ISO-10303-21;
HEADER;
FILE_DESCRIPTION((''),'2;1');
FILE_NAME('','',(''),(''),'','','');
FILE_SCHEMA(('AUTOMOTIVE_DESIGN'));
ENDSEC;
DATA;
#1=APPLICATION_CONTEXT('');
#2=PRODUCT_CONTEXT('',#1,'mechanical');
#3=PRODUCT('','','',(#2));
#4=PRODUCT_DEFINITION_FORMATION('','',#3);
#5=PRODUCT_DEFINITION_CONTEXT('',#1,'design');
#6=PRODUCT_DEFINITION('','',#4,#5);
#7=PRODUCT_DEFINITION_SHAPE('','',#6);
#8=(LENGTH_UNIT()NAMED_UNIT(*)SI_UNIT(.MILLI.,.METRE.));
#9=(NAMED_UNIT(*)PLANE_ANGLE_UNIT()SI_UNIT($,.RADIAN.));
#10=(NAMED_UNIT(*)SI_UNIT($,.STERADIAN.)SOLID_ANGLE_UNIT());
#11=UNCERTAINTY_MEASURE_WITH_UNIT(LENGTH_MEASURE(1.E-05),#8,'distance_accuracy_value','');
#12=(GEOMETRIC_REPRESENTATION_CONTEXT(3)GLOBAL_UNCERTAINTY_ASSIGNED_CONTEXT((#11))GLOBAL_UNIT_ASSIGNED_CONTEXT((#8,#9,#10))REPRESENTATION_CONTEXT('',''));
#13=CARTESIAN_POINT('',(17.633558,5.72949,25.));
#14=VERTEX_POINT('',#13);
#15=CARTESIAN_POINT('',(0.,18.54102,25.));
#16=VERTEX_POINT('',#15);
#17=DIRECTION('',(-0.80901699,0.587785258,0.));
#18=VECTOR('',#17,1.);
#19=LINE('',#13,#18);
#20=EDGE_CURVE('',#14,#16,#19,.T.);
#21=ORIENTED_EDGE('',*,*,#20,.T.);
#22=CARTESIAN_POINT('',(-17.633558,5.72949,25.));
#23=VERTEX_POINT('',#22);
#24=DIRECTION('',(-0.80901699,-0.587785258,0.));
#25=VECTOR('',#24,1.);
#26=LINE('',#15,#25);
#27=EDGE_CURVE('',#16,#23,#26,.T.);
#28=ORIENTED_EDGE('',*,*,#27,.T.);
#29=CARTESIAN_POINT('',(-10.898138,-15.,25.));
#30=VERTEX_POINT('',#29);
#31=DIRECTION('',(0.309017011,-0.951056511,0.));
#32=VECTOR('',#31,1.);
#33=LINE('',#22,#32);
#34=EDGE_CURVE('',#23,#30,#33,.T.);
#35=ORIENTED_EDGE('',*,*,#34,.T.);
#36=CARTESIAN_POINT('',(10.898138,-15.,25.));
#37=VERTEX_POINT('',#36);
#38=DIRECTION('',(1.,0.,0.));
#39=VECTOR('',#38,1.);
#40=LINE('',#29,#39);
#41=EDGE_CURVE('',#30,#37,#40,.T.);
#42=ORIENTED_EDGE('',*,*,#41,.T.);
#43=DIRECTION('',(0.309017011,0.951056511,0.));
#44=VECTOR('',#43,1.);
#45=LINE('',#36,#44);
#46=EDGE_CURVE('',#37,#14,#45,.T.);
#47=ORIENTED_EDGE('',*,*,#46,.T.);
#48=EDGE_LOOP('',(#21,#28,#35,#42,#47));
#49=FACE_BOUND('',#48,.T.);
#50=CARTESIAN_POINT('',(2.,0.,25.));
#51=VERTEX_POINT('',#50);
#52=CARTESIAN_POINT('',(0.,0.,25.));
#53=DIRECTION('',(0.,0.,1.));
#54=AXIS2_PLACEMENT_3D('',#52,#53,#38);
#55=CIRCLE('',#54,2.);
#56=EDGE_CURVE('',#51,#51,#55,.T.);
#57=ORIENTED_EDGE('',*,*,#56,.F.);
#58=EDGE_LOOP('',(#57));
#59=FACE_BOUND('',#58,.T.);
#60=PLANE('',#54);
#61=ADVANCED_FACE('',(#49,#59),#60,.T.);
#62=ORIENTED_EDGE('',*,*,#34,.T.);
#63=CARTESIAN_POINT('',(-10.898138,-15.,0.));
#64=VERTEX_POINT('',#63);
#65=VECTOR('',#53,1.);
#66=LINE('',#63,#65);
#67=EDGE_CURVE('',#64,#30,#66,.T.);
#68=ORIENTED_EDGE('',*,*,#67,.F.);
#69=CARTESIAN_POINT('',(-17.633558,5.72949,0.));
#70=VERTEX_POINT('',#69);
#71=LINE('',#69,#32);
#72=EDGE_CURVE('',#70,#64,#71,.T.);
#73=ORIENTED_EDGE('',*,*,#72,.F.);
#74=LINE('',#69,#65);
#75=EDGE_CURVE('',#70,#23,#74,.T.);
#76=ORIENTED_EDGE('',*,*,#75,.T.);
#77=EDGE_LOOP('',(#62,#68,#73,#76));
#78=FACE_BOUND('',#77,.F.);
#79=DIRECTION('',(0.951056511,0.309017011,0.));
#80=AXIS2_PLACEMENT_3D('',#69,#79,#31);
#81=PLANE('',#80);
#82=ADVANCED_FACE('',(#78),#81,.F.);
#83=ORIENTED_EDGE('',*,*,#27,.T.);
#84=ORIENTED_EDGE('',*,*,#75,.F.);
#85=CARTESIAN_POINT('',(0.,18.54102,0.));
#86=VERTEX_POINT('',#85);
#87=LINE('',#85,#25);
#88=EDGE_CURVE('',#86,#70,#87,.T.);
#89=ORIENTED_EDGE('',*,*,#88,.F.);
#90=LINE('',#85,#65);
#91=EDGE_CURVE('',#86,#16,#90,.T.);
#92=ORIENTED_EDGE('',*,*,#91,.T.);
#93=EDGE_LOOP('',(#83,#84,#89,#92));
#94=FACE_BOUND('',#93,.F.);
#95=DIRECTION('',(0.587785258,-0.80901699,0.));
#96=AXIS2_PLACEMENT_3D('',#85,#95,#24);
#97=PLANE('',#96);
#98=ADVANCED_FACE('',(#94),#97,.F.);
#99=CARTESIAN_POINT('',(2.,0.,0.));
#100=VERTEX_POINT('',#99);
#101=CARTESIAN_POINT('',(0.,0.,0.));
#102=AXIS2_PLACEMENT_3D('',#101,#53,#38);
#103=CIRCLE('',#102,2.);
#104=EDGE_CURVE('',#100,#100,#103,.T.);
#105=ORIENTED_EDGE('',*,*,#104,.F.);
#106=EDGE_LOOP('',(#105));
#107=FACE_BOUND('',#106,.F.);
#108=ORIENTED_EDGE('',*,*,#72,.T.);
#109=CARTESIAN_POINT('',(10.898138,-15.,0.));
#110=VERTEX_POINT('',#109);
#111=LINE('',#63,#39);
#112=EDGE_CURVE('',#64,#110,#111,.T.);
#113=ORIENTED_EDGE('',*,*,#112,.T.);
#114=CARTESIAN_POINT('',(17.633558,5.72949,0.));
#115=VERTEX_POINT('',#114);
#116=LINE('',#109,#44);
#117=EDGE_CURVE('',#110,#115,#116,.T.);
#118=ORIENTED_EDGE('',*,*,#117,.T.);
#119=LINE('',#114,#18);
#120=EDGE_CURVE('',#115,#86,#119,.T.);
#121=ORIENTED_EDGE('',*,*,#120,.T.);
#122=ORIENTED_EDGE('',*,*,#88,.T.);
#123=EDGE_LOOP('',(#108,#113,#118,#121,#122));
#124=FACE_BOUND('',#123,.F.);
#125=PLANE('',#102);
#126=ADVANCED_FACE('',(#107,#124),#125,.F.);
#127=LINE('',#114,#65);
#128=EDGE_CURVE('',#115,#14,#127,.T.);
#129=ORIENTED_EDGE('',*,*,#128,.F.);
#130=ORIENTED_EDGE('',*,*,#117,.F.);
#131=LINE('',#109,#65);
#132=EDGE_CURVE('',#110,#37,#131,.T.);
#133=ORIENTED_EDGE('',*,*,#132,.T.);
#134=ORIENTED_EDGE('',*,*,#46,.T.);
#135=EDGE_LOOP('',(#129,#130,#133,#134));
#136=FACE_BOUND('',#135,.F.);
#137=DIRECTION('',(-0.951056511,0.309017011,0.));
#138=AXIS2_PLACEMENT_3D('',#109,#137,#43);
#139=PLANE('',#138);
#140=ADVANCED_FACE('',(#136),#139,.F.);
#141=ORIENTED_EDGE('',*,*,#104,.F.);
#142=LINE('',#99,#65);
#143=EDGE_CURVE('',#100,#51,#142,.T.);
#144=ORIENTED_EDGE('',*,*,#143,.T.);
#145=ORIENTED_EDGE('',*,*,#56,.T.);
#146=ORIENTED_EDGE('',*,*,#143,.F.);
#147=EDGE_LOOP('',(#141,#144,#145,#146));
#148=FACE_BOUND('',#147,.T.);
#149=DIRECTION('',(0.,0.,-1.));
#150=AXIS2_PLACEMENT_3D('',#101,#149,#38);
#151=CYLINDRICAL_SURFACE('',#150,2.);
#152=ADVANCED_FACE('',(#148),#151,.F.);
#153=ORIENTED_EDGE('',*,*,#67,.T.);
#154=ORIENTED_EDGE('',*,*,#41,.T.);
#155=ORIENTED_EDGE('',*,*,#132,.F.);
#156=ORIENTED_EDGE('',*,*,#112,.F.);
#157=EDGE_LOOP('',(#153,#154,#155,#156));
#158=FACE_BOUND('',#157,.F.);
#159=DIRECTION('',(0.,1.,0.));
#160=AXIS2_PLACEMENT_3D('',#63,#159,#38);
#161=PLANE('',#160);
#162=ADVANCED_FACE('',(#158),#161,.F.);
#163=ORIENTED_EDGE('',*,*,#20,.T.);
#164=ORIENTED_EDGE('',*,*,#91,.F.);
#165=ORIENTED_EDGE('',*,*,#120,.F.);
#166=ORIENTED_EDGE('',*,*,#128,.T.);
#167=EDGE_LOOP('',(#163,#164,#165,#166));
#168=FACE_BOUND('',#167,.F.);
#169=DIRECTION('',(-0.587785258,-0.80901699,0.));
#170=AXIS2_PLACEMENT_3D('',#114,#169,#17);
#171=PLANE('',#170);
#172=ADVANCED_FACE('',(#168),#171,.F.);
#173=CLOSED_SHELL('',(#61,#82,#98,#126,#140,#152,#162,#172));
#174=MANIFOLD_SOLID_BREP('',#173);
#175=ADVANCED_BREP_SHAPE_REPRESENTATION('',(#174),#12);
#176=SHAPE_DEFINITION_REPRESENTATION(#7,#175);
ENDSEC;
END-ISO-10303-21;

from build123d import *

# Parameters (mm, degrees)
F0_R     = 2
F1_DEPTH = 25


with BuildPart() as f1:
    # F0 (on Top) → F1 (new body)
    with BuildSketch(Plane.XY):
        Polygon((0, 18.54102), (-17.633558, 5.72949), (-10.898138, -15), (10.898138, -15), (17.633558, 5.72949), align=None)
        Circle(F0_R, mode=Mode.SUBTRACT)
    extrude(amount=F1_DEPTH)


solid = f1.part
